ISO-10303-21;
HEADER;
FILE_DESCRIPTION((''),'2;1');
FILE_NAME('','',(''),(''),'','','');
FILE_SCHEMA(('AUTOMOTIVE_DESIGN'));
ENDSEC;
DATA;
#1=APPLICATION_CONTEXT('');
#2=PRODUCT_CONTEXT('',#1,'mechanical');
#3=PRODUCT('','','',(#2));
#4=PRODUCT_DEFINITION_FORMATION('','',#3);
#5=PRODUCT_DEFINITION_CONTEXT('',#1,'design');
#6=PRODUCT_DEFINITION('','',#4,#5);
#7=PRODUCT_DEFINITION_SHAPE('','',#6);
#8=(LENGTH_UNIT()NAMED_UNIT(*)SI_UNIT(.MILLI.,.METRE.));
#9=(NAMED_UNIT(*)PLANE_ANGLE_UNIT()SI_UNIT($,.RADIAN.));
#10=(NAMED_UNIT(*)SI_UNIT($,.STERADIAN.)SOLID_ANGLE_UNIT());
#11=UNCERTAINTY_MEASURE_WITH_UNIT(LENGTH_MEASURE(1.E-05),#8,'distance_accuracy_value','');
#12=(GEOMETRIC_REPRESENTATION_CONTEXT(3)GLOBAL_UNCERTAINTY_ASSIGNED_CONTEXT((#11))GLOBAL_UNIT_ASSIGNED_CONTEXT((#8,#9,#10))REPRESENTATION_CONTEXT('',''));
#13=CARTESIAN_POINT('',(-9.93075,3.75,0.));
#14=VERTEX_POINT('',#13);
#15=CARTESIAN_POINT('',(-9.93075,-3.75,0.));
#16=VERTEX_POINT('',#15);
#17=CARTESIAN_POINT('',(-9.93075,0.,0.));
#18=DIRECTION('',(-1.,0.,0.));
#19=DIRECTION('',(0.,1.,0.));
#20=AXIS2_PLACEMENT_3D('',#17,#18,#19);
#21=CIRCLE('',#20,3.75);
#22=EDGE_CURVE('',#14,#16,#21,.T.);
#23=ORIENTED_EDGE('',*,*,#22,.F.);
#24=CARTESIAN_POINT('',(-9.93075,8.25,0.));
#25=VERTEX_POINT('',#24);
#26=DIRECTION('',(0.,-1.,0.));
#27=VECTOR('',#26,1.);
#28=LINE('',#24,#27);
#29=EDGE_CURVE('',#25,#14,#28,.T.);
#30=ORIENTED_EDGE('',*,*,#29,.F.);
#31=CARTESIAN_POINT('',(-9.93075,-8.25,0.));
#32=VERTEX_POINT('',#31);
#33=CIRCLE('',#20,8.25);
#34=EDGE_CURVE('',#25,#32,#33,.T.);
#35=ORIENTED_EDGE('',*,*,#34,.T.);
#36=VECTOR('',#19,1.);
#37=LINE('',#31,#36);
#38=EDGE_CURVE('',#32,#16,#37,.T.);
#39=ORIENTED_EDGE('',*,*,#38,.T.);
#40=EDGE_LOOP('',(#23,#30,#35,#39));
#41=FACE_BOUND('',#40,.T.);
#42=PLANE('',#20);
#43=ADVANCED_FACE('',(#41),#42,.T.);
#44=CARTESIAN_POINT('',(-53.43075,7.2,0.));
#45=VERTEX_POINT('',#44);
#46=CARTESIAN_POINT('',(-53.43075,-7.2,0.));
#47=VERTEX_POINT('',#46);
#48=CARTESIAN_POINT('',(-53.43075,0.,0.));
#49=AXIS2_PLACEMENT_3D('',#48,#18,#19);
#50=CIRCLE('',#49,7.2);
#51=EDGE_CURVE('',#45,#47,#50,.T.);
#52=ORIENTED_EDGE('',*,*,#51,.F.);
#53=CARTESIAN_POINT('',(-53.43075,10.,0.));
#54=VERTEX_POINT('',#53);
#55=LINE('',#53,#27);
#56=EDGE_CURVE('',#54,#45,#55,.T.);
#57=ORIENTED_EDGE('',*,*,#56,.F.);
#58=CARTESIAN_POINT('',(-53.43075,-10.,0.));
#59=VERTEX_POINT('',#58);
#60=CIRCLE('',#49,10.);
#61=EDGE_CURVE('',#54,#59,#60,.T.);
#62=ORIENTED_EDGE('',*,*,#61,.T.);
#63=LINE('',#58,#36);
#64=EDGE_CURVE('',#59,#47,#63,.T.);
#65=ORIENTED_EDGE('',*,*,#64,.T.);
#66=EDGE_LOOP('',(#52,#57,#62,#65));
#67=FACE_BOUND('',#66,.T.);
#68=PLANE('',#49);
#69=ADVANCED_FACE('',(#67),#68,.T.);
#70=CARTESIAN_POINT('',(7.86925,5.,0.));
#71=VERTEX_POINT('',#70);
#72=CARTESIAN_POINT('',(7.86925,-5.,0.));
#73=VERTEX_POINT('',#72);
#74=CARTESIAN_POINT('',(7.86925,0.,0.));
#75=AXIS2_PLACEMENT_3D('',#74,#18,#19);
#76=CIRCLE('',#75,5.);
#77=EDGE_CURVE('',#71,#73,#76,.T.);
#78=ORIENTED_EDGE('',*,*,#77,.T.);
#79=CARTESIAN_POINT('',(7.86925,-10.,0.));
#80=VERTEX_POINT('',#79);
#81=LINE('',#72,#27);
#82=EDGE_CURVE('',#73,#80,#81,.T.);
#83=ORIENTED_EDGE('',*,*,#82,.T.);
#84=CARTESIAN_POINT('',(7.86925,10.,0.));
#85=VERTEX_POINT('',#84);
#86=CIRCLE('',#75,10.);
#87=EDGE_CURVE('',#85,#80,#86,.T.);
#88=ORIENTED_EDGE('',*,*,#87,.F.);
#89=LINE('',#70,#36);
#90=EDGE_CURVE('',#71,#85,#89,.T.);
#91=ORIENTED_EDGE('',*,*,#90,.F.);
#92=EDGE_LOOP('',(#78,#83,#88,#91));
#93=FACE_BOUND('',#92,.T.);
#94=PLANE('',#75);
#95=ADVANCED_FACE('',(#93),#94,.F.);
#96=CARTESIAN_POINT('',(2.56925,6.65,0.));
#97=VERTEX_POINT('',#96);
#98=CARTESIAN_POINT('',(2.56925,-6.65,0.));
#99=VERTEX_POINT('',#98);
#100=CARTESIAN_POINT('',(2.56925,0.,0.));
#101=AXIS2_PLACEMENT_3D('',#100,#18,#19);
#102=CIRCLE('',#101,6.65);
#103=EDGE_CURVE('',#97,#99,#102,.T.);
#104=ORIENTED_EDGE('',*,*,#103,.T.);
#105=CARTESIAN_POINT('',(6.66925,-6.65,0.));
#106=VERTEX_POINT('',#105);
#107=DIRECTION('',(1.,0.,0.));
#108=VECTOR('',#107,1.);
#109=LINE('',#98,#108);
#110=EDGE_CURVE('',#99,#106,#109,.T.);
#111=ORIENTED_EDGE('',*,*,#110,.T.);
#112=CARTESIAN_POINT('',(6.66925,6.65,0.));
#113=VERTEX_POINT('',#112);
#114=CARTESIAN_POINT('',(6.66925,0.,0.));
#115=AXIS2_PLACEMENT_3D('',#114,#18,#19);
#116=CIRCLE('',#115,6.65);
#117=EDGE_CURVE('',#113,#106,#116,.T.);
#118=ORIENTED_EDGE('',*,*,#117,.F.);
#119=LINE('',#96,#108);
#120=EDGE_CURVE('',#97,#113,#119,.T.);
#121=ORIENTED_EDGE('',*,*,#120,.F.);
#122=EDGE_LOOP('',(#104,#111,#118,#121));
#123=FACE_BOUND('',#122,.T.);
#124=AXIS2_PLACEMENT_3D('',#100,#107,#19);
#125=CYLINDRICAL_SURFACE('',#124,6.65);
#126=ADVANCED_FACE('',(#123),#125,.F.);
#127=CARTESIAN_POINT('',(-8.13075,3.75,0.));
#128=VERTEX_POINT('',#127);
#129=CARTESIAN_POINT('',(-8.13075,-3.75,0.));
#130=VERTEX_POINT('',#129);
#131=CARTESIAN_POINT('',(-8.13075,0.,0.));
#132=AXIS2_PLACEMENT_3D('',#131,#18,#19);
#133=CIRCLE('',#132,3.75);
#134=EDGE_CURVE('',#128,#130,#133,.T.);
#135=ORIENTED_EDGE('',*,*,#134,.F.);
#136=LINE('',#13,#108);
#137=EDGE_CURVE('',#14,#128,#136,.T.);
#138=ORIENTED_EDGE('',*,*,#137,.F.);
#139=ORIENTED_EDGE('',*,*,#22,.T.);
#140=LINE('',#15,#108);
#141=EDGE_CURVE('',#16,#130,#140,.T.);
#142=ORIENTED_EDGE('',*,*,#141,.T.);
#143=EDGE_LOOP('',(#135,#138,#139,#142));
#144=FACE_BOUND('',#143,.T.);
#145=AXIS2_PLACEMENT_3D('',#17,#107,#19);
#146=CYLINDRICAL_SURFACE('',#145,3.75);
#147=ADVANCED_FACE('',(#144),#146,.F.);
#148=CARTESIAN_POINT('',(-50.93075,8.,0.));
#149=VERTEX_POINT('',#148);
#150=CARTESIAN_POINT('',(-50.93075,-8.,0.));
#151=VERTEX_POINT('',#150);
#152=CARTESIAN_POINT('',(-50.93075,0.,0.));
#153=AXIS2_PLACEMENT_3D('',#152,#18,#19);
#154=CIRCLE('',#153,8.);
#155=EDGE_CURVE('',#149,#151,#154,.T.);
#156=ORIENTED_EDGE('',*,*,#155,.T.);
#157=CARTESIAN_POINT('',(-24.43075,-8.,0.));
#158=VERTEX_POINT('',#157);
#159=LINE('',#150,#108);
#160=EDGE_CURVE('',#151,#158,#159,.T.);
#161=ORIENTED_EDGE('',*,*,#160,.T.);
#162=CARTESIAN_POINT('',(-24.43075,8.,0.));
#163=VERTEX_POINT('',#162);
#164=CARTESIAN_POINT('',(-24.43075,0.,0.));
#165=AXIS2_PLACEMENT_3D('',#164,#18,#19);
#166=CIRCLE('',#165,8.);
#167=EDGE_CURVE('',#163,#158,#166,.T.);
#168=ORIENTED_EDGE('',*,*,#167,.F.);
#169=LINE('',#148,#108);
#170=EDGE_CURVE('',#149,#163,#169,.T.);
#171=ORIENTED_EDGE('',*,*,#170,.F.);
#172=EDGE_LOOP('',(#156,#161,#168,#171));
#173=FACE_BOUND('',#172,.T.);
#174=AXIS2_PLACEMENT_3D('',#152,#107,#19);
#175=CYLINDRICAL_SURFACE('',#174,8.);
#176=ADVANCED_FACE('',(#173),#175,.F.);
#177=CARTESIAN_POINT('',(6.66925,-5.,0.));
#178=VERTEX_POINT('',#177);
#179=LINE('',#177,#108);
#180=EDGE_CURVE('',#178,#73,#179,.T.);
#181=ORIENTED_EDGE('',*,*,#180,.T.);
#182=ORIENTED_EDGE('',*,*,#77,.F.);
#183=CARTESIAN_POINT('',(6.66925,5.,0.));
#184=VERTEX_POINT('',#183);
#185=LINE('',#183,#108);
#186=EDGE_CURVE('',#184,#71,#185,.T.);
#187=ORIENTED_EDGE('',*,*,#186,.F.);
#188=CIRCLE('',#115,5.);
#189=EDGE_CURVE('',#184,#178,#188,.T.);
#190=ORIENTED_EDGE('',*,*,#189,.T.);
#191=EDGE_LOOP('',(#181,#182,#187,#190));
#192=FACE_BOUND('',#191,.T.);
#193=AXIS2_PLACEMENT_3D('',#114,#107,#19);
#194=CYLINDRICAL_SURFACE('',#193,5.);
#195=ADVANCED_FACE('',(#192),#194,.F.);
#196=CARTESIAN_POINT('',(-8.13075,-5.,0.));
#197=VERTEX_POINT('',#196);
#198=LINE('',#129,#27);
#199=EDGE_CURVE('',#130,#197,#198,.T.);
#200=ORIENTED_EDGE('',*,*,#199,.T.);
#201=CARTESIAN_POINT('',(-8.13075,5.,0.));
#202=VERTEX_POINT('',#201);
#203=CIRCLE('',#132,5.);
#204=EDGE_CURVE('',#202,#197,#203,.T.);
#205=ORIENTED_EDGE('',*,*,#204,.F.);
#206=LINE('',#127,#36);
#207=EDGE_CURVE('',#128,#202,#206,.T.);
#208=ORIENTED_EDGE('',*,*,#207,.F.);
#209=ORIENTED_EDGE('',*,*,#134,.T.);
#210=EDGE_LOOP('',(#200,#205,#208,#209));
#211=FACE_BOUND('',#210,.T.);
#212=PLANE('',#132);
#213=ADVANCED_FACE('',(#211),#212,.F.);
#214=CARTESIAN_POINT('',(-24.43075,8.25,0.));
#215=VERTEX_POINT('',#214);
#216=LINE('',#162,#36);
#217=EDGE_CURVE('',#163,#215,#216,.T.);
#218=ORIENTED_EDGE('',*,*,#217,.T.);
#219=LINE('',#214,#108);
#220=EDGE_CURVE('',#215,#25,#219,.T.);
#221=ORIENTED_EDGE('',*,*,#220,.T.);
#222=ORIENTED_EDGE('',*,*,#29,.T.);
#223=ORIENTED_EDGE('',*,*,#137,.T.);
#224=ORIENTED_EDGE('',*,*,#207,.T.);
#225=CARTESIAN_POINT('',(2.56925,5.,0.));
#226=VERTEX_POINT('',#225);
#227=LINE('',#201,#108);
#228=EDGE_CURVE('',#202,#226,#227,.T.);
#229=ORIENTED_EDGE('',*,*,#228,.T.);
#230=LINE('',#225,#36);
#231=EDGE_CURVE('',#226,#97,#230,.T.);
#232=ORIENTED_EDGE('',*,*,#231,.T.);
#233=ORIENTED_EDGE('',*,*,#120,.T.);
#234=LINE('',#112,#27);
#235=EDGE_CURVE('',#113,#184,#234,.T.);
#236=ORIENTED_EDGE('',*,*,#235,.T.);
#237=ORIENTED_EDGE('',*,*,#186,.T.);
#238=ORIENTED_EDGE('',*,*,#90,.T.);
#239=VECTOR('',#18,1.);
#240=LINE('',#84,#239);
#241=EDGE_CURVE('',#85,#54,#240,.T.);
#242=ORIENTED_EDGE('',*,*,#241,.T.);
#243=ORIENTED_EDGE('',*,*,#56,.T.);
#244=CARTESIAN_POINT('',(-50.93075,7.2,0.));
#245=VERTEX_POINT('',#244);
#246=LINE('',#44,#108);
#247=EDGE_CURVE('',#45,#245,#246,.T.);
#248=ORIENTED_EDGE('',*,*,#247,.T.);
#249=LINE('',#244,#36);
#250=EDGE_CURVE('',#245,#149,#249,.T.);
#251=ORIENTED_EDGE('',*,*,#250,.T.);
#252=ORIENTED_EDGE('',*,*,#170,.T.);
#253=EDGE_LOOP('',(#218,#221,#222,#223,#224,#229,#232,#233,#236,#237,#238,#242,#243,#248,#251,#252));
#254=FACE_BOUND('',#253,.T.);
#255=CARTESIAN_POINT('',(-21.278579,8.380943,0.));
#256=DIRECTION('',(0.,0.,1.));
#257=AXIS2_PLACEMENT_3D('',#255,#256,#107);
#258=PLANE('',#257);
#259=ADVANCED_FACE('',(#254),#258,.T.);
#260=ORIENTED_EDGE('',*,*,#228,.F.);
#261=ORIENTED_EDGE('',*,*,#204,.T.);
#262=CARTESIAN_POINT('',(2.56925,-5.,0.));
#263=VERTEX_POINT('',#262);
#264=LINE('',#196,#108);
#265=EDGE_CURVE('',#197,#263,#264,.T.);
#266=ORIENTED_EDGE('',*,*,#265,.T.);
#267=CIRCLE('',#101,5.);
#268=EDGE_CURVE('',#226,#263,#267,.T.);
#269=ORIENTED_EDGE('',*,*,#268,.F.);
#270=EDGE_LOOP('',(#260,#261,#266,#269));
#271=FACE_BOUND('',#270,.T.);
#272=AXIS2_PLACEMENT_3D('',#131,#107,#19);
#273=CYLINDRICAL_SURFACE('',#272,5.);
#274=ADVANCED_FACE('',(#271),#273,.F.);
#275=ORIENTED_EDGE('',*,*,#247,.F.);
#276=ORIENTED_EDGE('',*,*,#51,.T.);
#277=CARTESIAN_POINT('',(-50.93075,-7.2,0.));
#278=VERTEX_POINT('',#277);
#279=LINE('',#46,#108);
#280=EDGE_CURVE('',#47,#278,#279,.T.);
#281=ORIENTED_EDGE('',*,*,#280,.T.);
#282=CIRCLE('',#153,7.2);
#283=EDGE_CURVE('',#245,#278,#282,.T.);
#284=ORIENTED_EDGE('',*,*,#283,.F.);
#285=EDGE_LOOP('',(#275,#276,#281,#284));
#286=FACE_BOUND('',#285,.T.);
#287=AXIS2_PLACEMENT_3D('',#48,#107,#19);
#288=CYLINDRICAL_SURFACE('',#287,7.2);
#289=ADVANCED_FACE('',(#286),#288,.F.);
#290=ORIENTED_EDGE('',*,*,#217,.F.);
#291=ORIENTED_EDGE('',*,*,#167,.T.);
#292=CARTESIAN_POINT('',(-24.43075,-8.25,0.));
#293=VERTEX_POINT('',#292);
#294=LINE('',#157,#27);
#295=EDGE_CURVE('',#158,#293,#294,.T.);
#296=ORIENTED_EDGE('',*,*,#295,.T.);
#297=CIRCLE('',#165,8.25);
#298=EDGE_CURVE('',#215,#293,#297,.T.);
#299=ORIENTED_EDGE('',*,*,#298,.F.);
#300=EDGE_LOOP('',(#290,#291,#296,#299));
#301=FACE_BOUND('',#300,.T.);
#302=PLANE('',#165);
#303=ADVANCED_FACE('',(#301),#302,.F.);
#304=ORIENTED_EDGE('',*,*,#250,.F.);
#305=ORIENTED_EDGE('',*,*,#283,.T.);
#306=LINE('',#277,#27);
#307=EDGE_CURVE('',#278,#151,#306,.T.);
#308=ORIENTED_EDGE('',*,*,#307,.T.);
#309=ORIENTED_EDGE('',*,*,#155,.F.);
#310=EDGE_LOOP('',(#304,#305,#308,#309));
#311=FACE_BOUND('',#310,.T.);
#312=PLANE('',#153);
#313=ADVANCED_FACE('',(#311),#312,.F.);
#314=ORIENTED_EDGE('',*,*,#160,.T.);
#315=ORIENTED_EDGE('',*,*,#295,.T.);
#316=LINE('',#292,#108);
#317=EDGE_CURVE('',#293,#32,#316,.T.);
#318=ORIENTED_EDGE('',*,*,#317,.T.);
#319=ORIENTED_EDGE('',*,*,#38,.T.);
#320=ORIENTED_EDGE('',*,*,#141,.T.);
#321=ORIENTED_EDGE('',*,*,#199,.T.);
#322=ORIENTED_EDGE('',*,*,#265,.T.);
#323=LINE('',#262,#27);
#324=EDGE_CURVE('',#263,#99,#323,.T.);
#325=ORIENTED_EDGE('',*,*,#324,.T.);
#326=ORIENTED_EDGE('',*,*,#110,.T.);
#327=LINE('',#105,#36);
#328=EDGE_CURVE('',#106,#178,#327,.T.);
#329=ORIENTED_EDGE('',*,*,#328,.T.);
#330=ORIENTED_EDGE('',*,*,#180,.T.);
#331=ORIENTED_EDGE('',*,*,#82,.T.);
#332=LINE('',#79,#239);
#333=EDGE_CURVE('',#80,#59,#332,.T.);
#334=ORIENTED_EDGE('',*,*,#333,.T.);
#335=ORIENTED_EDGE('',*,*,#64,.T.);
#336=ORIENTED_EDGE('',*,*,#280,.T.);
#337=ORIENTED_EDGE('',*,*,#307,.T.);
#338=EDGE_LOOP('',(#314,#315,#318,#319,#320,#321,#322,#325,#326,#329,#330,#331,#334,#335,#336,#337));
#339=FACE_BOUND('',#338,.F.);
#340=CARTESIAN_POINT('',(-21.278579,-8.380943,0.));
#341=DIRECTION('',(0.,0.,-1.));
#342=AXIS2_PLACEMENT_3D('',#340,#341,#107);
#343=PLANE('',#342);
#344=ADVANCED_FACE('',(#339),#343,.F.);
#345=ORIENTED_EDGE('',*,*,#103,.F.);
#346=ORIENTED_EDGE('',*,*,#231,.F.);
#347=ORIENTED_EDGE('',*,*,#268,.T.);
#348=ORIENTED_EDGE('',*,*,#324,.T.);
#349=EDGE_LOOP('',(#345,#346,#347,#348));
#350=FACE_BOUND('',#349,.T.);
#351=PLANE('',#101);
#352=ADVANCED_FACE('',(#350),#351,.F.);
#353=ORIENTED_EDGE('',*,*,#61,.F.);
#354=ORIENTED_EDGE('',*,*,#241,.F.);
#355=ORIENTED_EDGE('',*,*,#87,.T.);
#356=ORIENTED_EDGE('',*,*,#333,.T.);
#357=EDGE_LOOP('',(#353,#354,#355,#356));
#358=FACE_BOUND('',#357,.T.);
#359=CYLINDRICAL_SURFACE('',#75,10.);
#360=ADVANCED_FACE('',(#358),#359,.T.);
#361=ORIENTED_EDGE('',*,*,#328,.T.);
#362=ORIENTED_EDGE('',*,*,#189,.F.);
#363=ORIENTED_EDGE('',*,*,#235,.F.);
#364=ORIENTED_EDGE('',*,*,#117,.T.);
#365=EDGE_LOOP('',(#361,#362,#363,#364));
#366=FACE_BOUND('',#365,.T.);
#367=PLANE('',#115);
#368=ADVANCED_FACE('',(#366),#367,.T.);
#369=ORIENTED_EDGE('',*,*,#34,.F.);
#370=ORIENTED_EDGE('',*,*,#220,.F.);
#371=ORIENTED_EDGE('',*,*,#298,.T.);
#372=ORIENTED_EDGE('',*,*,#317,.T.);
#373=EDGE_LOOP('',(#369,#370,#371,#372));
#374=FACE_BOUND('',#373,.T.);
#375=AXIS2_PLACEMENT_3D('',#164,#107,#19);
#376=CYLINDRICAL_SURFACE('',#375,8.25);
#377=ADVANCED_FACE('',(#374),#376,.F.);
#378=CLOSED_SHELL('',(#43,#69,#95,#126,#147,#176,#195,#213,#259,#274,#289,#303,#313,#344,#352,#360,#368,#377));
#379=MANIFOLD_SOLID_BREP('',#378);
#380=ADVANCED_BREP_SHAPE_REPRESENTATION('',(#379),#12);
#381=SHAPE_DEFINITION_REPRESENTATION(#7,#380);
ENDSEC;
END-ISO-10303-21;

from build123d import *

# Parameters (mm, degrees)
F1_ANGLE = 180


with BuildPart() as f1:
    # F0 (on Top) → F1 (revolve)
    with BuildSketch(Plane.XY):
        Polygon((-9.93075, 8.25), (-9.93075, 3.75), (-8.13075, 3.75), (-8.13075, 5), (2.56925, 5), (2.56925, 6.65), (6.66925, 6.65), (6.66925, 5), (7.86925, 5), (7.86925, 10), (-8.13075, 10), (-53.43075, 10), (-53.43075, 7.2), (-50.93075, 7.2), (-50.93075, 8), (-24.43075, 8), (-24.43075, 8.25), align=None)
    revolve(axis=Axis((-13.705372, 0, 0), (-1, 0, 0)), revolution_arc=F1_ANGLE)


solid = f1.part
